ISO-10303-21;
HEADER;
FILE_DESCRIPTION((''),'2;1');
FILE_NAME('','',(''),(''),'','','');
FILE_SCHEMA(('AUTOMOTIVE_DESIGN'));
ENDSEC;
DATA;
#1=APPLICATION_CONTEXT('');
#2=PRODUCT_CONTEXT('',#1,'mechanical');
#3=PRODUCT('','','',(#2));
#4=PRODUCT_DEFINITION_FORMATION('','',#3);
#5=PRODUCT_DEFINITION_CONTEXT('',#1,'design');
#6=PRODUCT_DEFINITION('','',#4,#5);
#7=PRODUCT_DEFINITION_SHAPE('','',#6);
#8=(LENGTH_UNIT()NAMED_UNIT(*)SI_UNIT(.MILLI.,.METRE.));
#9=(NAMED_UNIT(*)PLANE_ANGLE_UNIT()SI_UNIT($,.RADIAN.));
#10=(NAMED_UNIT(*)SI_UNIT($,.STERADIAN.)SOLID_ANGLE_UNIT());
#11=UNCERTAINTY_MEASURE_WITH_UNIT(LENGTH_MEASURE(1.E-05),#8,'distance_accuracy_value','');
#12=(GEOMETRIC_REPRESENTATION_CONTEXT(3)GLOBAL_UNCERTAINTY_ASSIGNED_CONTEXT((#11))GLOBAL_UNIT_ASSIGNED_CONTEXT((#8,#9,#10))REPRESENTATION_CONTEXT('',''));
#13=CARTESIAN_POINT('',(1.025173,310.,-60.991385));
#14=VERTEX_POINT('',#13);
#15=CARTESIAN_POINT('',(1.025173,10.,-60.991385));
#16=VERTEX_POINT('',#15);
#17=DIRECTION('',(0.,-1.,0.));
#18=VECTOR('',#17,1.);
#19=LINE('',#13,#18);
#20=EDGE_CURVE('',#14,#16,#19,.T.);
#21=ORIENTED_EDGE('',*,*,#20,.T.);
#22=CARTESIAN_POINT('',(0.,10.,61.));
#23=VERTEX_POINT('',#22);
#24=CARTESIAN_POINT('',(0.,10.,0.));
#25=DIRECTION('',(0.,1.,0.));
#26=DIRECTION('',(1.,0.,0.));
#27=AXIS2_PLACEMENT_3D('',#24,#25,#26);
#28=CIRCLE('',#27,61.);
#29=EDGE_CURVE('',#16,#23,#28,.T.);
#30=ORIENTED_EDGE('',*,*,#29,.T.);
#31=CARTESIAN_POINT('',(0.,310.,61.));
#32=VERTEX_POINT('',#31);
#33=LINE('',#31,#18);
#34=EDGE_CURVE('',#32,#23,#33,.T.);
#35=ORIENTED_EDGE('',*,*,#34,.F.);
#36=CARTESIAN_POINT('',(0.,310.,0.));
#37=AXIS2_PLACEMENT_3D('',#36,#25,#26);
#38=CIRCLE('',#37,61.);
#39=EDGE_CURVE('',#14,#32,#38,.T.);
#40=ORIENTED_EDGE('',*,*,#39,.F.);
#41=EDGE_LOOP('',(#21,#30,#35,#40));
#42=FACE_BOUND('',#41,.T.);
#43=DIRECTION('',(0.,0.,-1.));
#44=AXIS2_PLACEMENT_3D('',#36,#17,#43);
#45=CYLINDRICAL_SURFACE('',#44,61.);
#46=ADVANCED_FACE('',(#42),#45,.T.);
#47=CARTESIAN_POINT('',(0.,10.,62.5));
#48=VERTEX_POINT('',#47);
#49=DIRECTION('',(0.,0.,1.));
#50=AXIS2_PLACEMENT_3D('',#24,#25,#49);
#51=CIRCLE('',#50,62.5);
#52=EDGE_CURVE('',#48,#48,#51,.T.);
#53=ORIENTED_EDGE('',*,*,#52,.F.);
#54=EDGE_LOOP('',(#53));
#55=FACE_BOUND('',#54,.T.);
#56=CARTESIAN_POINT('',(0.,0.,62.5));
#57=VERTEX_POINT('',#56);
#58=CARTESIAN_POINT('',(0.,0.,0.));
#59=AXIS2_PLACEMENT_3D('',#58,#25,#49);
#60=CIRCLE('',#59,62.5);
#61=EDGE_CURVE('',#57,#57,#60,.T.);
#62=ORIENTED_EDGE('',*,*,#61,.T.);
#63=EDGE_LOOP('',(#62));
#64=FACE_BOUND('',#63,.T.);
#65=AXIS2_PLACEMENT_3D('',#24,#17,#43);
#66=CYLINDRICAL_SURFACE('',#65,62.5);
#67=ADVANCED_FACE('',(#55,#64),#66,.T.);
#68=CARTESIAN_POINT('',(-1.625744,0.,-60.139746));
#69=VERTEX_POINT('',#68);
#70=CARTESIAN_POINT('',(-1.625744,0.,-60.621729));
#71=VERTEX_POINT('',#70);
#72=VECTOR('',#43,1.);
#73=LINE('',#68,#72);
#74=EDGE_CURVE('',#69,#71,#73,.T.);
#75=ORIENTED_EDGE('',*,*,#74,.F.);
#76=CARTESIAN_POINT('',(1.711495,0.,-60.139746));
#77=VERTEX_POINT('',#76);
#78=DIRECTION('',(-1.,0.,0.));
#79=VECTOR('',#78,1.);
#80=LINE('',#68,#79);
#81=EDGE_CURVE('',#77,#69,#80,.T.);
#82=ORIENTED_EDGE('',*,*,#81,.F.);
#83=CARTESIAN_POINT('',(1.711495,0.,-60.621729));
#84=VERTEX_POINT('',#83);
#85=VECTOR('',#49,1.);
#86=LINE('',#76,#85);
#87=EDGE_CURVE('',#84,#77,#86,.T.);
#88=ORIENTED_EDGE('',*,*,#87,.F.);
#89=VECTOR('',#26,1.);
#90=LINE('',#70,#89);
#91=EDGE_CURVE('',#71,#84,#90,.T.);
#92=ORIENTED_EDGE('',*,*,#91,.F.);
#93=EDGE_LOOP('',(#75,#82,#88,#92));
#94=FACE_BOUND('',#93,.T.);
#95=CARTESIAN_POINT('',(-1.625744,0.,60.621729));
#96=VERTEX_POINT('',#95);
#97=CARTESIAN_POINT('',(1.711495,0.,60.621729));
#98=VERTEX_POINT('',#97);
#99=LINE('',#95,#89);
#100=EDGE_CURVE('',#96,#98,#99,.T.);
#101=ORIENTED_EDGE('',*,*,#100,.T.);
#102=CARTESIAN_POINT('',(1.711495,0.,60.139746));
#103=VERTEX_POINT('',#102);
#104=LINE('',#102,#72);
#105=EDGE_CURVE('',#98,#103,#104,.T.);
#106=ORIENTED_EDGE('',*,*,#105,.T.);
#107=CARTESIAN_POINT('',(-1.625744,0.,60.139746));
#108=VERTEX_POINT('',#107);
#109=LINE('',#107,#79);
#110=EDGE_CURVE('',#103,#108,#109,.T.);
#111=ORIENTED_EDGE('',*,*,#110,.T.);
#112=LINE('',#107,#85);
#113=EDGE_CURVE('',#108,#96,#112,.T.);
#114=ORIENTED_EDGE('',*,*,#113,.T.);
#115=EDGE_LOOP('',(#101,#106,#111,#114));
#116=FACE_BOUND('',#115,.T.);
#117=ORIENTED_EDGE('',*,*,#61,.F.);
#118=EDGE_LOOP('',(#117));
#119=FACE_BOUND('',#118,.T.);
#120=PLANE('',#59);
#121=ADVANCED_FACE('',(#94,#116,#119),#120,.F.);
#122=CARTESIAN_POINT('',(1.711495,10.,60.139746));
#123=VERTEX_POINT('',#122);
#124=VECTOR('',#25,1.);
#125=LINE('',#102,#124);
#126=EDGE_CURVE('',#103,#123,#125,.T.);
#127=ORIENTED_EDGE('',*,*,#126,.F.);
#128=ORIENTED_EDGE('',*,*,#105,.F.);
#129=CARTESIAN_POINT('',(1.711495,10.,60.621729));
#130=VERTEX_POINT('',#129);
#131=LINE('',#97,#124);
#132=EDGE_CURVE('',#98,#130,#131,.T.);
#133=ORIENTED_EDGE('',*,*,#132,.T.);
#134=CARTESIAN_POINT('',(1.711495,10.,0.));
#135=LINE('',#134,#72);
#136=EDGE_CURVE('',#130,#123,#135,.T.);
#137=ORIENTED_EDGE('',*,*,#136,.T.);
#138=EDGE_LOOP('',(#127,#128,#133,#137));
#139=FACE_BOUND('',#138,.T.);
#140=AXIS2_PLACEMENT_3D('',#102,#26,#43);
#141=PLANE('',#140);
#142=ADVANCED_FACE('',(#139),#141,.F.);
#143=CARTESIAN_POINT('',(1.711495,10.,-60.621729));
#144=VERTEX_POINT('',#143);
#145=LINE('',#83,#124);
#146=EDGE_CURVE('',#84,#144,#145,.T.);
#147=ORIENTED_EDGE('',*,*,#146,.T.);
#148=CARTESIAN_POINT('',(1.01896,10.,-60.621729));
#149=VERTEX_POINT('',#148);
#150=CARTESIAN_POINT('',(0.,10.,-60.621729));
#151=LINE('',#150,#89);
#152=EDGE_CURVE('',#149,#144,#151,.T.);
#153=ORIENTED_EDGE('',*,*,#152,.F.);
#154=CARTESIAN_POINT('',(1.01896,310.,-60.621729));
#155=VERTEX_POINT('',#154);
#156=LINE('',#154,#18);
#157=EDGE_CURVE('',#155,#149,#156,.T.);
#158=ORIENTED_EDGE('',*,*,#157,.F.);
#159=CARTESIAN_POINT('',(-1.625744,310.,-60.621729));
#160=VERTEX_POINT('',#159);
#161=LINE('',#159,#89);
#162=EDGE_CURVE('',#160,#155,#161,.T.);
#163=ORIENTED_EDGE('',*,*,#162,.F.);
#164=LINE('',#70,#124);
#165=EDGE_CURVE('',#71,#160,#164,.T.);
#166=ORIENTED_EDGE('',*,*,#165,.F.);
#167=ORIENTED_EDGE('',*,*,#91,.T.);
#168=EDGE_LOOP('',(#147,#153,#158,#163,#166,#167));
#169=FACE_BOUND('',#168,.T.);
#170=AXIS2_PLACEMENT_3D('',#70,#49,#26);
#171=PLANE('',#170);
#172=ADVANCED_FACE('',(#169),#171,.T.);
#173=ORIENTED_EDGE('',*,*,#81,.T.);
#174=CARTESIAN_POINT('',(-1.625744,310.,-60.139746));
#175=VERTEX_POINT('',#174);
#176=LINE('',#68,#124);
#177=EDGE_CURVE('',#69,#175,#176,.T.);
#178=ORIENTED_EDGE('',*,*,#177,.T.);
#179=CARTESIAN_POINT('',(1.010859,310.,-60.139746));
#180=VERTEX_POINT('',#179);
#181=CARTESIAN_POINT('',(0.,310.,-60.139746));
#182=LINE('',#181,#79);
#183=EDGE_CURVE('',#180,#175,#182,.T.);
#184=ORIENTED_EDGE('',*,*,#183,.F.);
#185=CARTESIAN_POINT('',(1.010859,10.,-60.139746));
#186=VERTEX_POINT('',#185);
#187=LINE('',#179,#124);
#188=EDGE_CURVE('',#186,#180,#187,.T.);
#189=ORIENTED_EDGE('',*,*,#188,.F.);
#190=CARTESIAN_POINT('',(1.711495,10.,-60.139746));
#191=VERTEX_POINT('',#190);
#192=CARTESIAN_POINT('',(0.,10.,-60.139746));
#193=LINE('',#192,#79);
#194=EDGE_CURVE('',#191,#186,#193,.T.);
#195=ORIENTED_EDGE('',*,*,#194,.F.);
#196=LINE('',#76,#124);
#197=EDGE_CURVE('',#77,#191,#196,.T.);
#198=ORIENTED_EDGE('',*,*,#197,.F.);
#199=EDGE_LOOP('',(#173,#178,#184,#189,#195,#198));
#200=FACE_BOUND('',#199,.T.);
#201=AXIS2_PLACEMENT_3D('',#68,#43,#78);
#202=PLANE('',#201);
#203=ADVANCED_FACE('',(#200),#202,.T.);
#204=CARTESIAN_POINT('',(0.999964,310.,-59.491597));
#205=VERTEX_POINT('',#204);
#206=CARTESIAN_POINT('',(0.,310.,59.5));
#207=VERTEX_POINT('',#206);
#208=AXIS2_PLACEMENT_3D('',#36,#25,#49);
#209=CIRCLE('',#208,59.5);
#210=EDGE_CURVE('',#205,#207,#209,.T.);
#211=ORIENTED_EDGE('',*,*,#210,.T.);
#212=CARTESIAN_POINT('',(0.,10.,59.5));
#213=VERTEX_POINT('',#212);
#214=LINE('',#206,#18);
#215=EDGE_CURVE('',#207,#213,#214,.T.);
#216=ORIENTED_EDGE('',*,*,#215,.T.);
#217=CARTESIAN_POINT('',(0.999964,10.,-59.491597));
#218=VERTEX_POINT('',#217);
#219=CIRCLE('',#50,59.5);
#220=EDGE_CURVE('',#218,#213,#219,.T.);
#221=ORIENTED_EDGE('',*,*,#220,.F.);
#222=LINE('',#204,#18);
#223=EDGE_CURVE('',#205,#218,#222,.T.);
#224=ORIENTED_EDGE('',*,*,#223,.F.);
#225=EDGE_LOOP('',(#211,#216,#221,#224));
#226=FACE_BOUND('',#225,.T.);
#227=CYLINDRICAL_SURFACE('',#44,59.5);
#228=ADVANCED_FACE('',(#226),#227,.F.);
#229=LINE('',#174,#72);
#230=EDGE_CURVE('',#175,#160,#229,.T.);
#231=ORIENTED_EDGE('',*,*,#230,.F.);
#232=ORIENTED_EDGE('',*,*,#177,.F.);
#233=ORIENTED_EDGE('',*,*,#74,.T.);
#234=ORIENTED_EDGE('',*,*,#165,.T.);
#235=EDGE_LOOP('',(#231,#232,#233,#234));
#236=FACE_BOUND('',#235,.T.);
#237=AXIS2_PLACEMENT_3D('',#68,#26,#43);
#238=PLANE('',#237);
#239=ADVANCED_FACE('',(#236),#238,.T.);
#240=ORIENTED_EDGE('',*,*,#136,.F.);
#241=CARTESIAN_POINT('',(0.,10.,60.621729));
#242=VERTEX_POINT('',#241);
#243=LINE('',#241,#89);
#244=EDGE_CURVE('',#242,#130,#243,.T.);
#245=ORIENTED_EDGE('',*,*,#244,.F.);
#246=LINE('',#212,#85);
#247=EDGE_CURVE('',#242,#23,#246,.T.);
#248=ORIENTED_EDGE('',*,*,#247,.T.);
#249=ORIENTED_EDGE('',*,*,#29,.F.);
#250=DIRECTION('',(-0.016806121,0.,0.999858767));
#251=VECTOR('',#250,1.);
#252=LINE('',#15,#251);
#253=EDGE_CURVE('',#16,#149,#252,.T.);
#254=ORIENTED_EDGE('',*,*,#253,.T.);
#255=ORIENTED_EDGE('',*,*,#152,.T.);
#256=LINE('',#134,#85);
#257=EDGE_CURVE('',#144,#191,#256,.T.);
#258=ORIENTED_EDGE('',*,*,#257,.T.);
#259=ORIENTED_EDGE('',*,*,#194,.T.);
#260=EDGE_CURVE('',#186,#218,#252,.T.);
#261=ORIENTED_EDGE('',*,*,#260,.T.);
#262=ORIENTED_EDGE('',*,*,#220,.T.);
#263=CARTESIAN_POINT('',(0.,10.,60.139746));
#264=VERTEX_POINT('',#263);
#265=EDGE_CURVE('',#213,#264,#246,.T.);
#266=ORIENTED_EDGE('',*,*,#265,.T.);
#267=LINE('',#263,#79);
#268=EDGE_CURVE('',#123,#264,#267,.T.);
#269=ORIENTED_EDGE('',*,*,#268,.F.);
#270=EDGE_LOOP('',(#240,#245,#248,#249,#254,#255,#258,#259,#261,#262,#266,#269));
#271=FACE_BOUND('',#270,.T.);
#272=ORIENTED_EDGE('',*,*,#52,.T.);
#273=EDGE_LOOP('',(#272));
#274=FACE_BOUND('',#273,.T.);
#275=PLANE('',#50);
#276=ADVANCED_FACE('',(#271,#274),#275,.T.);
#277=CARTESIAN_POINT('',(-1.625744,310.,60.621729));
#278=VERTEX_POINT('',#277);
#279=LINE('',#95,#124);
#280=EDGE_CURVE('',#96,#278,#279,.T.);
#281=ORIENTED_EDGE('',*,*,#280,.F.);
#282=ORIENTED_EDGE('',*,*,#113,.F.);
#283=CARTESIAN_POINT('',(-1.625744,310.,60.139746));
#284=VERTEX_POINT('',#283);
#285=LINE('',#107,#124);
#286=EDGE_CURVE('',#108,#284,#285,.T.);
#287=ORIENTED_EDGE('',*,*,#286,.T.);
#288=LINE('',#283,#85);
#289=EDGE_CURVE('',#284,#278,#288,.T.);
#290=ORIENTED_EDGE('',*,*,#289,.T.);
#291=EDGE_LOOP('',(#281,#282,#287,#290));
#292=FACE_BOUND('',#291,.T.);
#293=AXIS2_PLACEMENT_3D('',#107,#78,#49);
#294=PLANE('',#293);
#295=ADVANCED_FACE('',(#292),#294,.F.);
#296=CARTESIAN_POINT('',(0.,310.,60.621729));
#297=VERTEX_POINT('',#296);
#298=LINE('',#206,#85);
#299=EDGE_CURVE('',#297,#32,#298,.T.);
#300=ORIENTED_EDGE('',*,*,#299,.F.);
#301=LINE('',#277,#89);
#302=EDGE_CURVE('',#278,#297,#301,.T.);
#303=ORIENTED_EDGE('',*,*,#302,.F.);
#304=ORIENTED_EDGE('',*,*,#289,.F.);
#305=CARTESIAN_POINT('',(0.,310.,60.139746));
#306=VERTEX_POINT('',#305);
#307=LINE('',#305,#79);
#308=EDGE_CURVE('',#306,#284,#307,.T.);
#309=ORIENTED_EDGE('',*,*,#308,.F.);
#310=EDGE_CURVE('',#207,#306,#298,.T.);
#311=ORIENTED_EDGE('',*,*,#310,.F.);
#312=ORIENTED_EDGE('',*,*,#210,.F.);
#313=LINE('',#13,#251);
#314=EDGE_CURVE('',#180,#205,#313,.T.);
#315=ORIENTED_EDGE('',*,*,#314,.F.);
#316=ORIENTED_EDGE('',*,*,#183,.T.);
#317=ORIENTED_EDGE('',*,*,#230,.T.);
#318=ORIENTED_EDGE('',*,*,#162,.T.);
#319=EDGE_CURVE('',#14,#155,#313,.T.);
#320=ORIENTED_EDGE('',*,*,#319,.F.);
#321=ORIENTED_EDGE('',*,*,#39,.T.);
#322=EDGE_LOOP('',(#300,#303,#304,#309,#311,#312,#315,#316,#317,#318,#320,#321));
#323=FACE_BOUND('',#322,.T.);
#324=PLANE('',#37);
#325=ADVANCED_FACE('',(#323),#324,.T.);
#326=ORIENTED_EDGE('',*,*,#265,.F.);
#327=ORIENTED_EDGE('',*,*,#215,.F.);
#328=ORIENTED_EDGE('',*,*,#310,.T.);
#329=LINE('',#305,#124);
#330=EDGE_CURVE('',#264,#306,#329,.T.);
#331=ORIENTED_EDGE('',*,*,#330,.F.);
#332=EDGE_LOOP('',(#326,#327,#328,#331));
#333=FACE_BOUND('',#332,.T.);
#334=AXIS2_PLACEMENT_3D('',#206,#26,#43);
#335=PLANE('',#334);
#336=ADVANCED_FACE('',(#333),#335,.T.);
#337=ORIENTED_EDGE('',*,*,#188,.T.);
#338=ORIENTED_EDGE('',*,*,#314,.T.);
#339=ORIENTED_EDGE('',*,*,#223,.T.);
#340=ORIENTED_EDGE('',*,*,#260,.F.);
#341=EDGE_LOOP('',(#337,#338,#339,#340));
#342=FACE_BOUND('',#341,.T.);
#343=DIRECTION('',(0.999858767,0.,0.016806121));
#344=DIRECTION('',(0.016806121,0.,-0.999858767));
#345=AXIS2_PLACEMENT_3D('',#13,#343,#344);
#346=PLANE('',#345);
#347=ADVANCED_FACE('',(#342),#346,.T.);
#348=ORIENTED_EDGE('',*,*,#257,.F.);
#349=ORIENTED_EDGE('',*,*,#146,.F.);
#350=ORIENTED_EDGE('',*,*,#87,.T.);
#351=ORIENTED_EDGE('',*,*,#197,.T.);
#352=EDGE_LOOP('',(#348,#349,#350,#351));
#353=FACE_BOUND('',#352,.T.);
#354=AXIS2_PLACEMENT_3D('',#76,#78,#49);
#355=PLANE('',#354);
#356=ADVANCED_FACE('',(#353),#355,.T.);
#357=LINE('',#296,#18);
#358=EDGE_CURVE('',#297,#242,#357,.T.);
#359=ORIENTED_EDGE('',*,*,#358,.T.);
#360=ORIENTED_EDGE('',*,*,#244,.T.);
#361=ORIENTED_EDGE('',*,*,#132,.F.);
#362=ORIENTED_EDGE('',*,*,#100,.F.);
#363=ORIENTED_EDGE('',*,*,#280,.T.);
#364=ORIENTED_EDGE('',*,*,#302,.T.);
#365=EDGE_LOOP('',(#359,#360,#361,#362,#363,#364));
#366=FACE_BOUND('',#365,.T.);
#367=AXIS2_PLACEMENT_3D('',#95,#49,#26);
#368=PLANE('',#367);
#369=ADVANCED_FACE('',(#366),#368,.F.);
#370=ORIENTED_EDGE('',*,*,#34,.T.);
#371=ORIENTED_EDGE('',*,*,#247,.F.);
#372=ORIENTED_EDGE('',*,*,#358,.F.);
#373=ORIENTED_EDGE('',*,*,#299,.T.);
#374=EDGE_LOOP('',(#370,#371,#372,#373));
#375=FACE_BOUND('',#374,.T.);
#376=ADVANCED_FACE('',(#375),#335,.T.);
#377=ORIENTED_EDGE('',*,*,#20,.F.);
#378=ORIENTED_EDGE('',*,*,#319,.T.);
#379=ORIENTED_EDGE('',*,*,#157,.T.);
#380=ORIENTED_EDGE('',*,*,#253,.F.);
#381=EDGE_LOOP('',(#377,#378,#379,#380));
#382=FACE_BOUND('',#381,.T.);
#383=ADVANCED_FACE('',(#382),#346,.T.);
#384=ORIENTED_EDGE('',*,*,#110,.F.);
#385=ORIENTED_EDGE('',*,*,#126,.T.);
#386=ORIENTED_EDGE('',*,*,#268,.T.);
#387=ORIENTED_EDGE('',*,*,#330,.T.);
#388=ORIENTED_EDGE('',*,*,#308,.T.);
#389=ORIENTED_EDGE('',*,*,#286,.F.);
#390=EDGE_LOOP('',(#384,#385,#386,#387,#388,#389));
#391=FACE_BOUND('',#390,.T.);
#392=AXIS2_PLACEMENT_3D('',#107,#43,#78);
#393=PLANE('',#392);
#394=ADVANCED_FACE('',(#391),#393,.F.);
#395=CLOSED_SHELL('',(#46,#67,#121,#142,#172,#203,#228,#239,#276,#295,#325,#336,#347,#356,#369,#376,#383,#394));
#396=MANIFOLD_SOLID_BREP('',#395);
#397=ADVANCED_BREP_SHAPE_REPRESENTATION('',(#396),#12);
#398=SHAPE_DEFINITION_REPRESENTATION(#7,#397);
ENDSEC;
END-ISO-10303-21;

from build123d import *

# Parameters (mm, degrees)
SKETCH1_R           = 62.5
BOSS_EXTRUDE2_DEPTH = 10
EXTRUDE_THIN1_DEPTH = 300
SKETCH8_W           = 3.337239336
SKETCH8_H           = 0.481982953
CUT_EXTRUDE1_DEPTH  = 311


with BuildPart() as part:
    # Sketch1 → Boss-Extrude2 (new body)
    with BuildSketch(Plane(origin=(0, 0, 0), x_dir=(1, 0, 0), z_dir=(0, 1, 0))):
        Circle(SKETCH1_R)
    extrude(amount=BOSS_EXTRUDE2_DEPTH)

    # Sketch4 → Extrude-Thin1 (add)
    with BuildSketch(Plane(origin=(0, 10, 0), x_dir=(1, 0, 0), z_dir=(0, 1, 0))):
        with BuildLine():
            ThreePointArc((0.99996418, 59.491596647), (-59.497899125, 0.499999744), (0, -59.5))
            Line((0, -59.5), (0, -61))
            ThreePointArc((0, -61), (-60.997846161, 0.51260478), (1.025173361, 60.991384798))
            Line((1.025173361, 60.991384798), (0.99996418, 59.491596647))
        make_face()
    extrude(amount=EXTRUDE_THIN1_DEPTH)

    # Sketch8 → Cut-Extrude1 (cut, through all)
    with BuildSketch(Plane(origin=(0, 310, 0), x_dir=(1, 0, 0), z_dir=(0, 1, 0))):
        with Locations((0.042875515, -60.380737202)):
            Rectangle(SKETCH8_W, SKETCH8_H)
    cut_extrude1 = extrude(amount=-CUT_EXTRUDE1_DEPTH, mode=Mode.SUBTRACT)

    # Mirror1: Cut-Extrude1 across plane
    add(cut_extrude1.mirror(Plane.XY), mode=Mode.SUBTRACT)


solid = part.part
